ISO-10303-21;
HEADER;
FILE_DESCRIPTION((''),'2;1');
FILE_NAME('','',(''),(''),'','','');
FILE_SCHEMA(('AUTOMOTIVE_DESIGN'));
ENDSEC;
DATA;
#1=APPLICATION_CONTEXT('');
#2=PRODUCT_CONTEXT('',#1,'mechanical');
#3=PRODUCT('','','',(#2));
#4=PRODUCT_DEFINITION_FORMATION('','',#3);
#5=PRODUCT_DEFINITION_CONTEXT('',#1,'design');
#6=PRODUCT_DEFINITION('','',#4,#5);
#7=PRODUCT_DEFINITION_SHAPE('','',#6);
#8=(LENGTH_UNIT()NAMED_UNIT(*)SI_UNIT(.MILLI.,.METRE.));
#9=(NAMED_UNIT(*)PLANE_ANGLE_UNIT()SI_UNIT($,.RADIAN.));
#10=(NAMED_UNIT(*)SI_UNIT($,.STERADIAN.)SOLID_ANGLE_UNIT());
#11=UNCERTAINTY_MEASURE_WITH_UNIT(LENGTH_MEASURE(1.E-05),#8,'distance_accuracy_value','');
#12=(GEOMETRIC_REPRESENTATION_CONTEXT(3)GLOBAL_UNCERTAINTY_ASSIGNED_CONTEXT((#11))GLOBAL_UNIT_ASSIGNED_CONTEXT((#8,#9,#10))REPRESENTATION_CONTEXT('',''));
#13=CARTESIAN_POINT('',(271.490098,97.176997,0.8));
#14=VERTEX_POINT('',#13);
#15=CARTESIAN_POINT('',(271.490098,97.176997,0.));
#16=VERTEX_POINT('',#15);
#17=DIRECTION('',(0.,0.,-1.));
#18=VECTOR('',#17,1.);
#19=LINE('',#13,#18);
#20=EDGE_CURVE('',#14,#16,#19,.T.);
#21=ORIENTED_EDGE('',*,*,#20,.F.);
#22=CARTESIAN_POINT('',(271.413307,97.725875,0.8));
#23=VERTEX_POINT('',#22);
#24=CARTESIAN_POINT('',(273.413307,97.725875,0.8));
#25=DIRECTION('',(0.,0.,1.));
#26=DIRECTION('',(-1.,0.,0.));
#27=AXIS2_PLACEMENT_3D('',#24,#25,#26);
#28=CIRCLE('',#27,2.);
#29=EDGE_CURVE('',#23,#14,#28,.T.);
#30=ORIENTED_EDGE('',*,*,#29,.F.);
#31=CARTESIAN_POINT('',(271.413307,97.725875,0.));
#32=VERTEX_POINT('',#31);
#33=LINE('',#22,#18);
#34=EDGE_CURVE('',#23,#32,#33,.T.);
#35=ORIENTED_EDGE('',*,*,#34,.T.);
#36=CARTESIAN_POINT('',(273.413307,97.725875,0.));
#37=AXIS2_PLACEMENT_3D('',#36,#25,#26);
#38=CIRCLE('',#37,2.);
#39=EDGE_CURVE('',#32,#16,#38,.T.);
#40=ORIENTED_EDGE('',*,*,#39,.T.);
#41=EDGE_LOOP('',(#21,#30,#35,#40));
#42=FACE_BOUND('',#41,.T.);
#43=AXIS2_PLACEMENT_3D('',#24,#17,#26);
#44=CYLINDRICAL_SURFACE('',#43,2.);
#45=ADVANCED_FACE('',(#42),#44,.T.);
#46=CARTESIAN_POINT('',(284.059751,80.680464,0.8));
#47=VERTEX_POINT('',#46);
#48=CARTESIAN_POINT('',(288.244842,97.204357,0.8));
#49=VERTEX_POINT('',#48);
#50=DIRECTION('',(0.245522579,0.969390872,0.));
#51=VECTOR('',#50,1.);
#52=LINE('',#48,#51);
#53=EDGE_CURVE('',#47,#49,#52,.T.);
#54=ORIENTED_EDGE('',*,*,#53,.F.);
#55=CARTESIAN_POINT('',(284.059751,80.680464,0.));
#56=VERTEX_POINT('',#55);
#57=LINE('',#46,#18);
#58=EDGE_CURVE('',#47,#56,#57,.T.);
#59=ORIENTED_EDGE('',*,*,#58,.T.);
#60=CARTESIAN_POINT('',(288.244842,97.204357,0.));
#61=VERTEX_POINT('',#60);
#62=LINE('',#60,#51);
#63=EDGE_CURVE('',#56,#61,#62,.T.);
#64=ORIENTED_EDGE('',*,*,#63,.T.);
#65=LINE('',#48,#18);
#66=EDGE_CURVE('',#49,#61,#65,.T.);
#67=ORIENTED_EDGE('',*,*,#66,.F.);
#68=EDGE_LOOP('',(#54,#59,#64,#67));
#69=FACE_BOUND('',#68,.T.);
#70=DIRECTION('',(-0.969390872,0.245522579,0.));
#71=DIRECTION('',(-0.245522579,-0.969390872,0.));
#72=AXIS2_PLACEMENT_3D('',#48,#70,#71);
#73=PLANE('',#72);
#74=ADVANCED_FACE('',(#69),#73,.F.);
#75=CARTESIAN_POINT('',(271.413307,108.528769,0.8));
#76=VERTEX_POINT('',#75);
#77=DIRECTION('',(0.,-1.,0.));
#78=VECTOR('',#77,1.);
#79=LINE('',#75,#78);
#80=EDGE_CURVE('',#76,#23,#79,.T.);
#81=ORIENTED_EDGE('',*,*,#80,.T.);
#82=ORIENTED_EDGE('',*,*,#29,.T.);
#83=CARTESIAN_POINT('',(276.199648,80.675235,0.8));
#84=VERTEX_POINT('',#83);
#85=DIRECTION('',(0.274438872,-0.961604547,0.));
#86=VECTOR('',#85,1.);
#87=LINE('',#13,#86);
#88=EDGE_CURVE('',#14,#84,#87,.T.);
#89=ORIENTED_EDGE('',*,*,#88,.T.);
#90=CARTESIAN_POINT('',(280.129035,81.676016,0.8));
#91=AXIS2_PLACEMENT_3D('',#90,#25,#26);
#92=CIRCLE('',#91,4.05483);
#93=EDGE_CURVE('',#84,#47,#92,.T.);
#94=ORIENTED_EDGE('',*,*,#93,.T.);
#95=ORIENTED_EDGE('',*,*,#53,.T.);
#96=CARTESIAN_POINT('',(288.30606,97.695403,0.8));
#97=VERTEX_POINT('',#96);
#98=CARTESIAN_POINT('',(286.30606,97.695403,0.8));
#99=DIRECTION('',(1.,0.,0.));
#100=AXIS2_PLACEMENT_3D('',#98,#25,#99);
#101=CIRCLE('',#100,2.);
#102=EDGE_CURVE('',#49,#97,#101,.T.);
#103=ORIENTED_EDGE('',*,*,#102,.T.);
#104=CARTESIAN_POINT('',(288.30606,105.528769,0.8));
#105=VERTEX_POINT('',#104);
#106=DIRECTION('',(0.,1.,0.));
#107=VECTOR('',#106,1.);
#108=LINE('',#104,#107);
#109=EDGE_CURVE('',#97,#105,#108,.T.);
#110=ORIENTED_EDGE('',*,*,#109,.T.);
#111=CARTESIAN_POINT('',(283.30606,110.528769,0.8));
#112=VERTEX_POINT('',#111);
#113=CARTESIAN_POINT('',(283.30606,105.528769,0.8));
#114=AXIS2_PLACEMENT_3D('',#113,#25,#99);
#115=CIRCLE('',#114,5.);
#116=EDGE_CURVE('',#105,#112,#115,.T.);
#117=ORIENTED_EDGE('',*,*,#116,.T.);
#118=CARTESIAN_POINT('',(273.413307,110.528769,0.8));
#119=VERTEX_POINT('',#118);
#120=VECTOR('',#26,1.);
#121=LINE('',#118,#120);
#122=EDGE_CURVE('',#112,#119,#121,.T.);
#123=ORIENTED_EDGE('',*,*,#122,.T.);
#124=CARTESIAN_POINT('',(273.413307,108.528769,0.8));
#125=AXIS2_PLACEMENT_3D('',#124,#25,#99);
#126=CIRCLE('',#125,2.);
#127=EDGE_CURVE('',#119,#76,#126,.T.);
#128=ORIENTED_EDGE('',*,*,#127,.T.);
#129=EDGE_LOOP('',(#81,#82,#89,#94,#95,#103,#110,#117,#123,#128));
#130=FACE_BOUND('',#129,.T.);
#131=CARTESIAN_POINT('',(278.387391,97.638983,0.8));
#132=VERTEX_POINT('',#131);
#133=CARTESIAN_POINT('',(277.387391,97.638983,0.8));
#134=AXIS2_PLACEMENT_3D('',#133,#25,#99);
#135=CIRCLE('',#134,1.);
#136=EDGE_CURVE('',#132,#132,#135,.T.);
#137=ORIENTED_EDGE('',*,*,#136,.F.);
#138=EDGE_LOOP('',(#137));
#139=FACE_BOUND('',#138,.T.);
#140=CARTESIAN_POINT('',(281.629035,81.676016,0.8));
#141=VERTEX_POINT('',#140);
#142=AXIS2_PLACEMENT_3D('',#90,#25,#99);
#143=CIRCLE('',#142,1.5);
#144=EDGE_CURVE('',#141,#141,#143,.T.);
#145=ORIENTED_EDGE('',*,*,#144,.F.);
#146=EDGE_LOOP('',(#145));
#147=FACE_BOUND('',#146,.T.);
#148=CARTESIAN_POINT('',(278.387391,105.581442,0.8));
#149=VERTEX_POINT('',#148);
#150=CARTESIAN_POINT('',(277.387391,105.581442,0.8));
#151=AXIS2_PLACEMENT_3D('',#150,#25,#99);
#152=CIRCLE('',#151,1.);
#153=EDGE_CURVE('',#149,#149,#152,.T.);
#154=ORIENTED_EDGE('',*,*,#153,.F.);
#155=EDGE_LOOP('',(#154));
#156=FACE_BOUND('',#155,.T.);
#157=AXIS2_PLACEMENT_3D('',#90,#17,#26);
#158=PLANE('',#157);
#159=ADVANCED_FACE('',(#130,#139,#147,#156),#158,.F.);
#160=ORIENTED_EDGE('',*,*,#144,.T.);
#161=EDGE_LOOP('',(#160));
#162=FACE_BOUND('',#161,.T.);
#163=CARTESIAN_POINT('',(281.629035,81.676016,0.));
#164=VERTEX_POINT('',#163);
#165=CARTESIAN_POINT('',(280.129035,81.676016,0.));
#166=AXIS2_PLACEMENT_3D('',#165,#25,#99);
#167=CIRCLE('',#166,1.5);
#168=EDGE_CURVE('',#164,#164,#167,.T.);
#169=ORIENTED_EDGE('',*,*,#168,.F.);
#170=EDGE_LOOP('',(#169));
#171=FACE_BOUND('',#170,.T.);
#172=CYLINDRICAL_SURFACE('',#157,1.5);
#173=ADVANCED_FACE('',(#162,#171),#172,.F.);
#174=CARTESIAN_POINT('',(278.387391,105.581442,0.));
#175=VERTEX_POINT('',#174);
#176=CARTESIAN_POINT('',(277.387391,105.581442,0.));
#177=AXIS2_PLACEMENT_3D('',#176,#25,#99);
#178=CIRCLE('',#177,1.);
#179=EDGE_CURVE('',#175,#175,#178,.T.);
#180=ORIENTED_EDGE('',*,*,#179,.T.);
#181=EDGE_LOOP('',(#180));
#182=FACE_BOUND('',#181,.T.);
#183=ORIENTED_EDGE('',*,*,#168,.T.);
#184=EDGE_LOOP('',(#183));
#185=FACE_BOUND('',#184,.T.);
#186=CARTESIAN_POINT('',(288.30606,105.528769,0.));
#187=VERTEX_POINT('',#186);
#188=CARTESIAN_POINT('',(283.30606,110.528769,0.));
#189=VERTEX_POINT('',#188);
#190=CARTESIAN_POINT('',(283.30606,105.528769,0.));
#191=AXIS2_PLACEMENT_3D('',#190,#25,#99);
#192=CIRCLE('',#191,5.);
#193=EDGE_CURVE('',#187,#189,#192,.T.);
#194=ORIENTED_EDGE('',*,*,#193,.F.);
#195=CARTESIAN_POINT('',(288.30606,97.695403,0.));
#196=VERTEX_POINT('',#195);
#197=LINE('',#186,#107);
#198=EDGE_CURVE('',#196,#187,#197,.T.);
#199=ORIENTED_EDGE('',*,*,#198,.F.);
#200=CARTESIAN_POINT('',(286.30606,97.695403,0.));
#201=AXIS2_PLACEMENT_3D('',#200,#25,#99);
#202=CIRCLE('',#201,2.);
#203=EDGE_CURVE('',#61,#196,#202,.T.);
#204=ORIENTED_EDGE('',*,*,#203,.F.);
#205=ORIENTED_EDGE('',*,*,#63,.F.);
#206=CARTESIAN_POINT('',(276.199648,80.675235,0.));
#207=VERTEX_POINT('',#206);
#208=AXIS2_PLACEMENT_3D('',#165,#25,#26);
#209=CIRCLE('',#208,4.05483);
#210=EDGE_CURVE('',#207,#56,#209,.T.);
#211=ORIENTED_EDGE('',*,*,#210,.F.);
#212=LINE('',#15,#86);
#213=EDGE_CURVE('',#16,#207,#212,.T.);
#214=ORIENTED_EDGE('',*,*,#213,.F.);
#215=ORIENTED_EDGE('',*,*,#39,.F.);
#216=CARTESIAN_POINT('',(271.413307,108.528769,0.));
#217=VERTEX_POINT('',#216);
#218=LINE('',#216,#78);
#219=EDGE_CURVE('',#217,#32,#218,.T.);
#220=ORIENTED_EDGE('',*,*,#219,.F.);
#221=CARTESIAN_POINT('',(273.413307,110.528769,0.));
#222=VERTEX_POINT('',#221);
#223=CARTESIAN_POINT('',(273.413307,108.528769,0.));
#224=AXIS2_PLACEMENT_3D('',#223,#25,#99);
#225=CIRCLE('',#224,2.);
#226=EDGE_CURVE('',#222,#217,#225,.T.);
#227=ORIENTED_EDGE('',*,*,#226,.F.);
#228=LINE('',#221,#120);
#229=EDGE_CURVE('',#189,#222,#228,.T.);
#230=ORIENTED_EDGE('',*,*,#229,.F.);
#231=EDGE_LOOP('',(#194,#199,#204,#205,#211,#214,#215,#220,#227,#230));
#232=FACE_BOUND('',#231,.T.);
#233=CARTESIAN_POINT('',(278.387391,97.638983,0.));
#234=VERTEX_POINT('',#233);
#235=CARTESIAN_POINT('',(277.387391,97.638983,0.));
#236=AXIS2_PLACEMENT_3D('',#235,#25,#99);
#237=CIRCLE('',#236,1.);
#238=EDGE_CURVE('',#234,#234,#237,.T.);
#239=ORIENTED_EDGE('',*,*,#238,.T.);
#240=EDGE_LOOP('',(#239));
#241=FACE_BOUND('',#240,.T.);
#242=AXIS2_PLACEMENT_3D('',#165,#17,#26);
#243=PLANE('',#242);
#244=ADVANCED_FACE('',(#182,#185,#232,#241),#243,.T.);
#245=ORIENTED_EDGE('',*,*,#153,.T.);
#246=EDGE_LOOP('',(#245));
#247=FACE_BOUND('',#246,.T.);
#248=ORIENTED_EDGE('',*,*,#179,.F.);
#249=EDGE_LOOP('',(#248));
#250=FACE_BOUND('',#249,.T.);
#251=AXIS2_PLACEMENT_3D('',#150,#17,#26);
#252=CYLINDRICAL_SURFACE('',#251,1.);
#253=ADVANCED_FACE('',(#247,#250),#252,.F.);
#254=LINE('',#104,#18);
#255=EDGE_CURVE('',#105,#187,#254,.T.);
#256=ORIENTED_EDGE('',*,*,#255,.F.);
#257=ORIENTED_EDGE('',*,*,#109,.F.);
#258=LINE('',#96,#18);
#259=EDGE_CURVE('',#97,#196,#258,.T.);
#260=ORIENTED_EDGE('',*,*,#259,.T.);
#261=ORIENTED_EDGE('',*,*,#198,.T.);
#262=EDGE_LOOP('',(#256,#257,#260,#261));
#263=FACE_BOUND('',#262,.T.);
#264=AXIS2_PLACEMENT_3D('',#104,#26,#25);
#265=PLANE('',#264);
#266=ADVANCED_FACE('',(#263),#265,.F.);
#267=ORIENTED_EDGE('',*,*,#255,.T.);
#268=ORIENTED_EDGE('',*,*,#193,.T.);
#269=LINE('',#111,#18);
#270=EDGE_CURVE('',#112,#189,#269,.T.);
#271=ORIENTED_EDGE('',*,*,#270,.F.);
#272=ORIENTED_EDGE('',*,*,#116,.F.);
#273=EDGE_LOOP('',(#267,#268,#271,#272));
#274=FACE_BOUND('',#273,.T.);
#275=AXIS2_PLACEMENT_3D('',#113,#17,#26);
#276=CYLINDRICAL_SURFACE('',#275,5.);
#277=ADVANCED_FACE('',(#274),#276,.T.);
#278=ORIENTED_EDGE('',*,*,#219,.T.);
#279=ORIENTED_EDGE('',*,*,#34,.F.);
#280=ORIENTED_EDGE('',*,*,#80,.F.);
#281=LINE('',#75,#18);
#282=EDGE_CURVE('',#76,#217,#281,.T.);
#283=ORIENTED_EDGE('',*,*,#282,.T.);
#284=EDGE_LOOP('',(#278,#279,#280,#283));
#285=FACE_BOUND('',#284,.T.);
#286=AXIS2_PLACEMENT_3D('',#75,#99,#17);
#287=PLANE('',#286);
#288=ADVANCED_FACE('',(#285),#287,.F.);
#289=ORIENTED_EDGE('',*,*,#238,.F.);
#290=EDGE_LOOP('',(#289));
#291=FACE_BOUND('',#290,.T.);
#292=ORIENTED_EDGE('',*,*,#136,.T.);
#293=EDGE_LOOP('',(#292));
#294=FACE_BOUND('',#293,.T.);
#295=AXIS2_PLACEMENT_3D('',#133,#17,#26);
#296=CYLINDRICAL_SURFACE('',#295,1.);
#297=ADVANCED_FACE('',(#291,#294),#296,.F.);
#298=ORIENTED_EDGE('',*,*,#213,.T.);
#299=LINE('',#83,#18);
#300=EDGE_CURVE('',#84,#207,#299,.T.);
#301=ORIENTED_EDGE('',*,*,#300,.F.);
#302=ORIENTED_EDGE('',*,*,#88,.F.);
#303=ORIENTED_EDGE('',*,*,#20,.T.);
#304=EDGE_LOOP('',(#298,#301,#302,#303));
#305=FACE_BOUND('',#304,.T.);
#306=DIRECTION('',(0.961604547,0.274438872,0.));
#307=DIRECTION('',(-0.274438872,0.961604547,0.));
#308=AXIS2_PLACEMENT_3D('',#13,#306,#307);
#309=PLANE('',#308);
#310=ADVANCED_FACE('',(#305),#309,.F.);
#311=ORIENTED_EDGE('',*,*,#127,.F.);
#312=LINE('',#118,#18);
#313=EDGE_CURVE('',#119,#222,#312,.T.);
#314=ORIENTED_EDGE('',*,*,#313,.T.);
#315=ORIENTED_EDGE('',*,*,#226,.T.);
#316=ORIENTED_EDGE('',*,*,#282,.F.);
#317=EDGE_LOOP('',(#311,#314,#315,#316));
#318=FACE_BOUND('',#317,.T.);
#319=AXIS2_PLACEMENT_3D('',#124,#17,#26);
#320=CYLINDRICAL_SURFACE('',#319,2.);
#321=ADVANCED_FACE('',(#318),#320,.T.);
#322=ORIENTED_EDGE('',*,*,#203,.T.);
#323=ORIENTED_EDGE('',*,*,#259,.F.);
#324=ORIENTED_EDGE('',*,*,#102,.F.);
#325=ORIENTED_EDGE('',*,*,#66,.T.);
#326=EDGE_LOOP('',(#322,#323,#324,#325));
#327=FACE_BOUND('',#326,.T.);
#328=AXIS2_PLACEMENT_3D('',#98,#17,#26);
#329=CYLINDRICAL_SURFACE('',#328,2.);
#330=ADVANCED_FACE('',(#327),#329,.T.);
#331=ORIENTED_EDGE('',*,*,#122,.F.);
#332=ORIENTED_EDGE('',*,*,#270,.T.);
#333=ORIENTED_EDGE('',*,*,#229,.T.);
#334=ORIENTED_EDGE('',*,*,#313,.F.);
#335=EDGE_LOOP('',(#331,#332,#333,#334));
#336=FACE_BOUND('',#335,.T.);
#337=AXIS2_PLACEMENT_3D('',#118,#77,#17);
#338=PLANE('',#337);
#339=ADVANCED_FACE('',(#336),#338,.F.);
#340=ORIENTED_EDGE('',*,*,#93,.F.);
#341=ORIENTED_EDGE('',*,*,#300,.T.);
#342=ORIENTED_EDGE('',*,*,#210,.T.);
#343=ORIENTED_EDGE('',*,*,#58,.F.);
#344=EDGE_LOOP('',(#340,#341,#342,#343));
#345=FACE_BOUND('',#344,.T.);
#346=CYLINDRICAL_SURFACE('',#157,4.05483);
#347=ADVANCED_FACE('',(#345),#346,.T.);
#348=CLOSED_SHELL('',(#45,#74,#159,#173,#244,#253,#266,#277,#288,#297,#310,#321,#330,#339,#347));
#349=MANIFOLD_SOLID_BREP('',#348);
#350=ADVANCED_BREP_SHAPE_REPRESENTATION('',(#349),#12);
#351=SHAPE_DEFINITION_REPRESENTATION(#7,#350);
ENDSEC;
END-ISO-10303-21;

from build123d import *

# Parameters (mm, degrees)
SKETCH1_R           = 1.5
SKETCH1_R_2         = 1
BOSS_EXTRUDE1_DEPTH = 0.8


with BuildPart() as part:
    # Sketch1 → Boss-Extrude1 (new body)
    with BuildSketch(Plane.XY):
        with BuildLine():
            Line((271.490097916, 97.17699679), (276.199648247, 80.675234569))
            ThreePointArc((276.199648247, 80.675234569), (280.131732963, 77.621186661), (284.059750771, 80.680463526))
            Line((284.059750771, 80.680463526), (288.244841789, 97.204357374))
            ThreePointArc((288.244841789, 97.204357374), (288.290696471, 97.447979301), (288.306060045, 97.695402532))
            Line((288.306060045, 97.695402532), (288.306060045, 105.52876871))
            ThreePointArc((288.306060045, 105.52876871), (286.84159395, 109.064302616), (283.306060045, 110.52876871))
            Line((283.306060045, 110.52876871), (273.41330701, 110.52876871))
            ThreePointArc((273.41330701, 110.52876871), (271.999093448, 109.942982273), (271.41330701, 108.52876871))
            Line((271.41330701, 108.52876871), (271.41330701, 97.725874534))
            ThreePointArc((271.41330701, 97.725874534), (271.43259777, 97.448762814), (271.490097916, 97.17699679))
        make_face()
        with Locations((280.129035475, 81.676015872)):
            Circle(SKETCH1_R, mode=Mode.SUBTRACT)
        with Locations((277.387391499, 105.581442102)):
            Circle(SKETCH1_R_2, mode=Mode.SUBTRACT)
        with Locations((277.387391499, 97.638982501)):
            Circle(SKETCH1_R_2, mode=Mode.SUBTRACT)
    extrude(amount=BOSS_EXTRUDE1_DEPTH)


solid = part.part
